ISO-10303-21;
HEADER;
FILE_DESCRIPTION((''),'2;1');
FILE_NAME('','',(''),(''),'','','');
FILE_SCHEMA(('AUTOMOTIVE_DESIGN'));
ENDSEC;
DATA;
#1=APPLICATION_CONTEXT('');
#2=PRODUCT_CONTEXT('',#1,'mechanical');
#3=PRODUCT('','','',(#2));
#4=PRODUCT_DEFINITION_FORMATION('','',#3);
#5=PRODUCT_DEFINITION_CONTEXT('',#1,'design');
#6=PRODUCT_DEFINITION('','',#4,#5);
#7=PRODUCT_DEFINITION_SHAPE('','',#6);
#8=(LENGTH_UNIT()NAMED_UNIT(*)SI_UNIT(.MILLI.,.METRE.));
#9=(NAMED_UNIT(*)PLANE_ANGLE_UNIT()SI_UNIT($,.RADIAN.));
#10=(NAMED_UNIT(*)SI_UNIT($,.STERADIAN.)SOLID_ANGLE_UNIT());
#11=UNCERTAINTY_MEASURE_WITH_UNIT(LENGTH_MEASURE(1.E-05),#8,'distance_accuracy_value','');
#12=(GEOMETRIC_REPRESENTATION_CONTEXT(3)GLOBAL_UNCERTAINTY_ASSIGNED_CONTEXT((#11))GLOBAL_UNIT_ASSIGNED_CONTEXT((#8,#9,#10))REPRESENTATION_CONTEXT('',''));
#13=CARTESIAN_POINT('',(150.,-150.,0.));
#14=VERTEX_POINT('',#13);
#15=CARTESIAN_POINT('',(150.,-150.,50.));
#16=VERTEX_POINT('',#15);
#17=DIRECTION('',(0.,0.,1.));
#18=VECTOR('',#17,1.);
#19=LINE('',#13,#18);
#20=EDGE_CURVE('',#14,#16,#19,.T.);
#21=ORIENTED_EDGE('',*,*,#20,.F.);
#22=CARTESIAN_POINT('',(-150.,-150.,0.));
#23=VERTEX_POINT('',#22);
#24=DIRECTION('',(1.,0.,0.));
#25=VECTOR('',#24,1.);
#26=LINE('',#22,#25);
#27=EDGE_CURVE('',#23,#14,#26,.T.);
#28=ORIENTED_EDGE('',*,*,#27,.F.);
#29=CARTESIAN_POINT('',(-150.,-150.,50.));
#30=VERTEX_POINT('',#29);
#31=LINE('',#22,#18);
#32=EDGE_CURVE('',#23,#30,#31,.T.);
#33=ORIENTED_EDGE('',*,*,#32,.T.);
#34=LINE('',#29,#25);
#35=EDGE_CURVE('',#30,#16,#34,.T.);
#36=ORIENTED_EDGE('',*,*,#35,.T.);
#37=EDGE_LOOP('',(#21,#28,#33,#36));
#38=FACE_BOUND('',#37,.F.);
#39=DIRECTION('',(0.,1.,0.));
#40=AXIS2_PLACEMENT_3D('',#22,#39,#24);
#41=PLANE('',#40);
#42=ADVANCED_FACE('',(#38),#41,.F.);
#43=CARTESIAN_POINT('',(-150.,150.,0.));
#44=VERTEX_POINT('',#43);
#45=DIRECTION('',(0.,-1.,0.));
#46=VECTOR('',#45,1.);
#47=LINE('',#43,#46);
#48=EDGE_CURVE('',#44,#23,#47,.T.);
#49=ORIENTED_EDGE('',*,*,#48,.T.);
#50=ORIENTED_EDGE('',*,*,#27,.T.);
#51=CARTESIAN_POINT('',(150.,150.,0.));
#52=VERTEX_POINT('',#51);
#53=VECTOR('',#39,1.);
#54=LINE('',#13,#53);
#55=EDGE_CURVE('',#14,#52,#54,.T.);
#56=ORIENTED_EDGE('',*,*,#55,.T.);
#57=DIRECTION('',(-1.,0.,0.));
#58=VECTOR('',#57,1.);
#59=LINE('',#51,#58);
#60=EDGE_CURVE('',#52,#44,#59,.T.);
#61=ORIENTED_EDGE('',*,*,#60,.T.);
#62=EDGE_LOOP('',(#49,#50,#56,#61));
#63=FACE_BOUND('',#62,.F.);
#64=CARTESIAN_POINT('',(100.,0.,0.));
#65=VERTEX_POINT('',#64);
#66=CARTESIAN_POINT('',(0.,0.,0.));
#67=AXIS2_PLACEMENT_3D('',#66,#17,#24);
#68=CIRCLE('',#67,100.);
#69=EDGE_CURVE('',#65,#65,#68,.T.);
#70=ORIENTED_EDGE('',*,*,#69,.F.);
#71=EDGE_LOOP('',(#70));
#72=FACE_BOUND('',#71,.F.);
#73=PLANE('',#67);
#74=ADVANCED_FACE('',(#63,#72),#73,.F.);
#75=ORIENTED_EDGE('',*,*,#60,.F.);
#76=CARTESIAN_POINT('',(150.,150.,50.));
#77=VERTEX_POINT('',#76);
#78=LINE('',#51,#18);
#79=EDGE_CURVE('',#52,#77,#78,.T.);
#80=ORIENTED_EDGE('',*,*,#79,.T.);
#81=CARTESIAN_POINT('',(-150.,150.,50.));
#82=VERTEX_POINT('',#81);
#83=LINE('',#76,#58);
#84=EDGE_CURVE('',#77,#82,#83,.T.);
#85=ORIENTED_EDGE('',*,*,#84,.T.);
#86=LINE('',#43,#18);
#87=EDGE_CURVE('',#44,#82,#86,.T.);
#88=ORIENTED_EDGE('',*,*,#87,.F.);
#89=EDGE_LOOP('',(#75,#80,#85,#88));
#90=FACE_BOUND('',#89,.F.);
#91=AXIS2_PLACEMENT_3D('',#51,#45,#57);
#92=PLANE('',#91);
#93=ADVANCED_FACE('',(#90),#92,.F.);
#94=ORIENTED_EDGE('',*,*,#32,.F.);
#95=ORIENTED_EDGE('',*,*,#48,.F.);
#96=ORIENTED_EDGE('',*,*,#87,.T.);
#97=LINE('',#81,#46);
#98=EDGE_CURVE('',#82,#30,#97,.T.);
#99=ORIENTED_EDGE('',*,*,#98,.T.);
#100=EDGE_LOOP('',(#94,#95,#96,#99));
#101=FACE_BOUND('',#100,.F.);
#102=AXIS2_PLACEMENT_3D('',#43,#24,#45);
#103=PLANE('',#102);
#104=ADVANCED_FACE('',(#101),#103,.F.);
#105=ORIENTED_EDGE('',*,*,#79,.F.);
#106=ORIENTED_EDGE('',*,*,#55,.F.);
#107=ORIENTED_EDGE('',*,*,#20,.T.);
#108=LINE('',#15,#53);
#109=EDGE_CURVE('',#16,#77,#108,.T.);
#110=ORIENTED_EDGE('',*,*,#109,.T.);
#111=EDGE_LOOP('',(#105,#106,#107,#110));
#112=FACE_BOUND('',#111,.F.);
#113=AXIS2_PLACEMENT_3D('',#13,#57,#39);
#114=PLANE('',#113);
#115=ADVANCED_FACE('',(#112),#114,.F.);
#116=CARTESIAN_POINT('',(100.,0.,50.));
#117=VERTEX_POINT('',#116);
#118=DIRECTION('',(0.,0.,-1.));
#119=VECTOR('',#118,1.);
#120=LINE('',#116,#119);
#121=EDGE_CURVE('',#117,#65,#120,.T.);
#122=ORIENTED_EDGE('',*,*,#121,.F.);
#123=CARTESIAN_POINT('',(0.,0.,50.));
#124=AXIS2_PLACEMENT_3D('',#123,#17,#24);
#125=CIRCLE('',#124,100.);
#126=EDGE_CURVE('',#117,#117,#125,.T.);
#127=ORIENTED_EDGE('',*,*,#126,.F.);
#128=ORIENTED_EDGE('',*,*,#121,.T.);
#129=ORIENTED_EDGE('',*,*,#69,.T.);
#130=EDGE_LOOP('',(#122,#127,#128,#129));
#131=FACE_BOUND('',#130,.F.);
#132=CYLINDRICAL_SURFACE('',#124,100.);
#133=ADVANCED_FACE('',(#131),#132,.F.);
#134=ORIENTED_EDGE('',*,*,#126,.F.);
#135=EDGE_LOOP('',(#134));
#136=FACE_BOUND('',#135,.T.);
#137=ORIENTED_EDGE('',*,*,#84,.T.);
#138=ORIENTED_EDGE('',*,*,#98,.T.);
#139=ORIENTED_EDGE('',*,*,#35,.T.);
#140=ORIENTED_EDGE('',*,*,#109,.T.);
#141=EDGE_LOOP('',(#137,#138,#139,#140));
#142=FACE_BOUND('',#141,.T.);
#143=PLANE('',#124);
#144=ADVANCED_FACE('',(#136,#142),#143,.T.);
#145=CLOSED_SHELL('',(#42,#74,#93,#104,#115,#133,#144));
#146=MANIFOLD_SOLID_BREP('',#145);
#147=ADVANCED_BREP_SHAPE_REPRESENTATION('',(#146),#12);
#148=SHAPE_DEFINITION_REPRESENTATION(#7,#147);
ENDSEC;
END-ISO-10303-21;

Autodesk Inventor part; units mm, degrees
ref_plane "YZ Plane" through (0, 0, 0) normal (1, 0, 0) x (0, 1, 0)
ref_plane "XY Plane" through (0, 0, 0) normal (0, 0, 1) x (1, 0, 0)
sketch "Sketch1" plane through (0, 0, 0) normal (0, 0, 1) x (1, 0, 0)
  line L0 (-150, -150) -> (150, -150)
  line L1 (150, -150) -> (150, 150)
  line L2 (150, 150) -> (-150, 150)
  line L3 (-150, 150) -> (-150, -150)
  line L4 (-150, -150) -> (150, 150) construction
  line L5 (150, -150) -> (-150, 150) construction
  point P0 (0, 0)
  dimension "d0" = 300
  dimension "d1" = 300
extrude "Extrusion1" add sketch "Sketch1" along normal blind 50
sketch "Sketch2" plane through (0, 0, 50) normal (0, 0, 1) x (1, 0, 0)
  circle A0 centre (0, 0) radius 100
  dimension "D_agujero" = 200
extrude "Extrusion2" cut sketch "Sketch2" against normal through all
ref_plane "Work Plane1" through (0, 100, 50) normal (0, 1, 0) x (-1, 0, 0)
equation "\"d0\" = 1.5 * tamanio_basico"
equation "\"d1\" = 1.5 * tamanio_basico"
equation "\"espesor\" = 0.25 * tamanio_basico"
equation "\"D_agujero\" = tamanio_basico"
equation "\"tamanio_basico\" = 200"
properties part number "AGUJERO"
